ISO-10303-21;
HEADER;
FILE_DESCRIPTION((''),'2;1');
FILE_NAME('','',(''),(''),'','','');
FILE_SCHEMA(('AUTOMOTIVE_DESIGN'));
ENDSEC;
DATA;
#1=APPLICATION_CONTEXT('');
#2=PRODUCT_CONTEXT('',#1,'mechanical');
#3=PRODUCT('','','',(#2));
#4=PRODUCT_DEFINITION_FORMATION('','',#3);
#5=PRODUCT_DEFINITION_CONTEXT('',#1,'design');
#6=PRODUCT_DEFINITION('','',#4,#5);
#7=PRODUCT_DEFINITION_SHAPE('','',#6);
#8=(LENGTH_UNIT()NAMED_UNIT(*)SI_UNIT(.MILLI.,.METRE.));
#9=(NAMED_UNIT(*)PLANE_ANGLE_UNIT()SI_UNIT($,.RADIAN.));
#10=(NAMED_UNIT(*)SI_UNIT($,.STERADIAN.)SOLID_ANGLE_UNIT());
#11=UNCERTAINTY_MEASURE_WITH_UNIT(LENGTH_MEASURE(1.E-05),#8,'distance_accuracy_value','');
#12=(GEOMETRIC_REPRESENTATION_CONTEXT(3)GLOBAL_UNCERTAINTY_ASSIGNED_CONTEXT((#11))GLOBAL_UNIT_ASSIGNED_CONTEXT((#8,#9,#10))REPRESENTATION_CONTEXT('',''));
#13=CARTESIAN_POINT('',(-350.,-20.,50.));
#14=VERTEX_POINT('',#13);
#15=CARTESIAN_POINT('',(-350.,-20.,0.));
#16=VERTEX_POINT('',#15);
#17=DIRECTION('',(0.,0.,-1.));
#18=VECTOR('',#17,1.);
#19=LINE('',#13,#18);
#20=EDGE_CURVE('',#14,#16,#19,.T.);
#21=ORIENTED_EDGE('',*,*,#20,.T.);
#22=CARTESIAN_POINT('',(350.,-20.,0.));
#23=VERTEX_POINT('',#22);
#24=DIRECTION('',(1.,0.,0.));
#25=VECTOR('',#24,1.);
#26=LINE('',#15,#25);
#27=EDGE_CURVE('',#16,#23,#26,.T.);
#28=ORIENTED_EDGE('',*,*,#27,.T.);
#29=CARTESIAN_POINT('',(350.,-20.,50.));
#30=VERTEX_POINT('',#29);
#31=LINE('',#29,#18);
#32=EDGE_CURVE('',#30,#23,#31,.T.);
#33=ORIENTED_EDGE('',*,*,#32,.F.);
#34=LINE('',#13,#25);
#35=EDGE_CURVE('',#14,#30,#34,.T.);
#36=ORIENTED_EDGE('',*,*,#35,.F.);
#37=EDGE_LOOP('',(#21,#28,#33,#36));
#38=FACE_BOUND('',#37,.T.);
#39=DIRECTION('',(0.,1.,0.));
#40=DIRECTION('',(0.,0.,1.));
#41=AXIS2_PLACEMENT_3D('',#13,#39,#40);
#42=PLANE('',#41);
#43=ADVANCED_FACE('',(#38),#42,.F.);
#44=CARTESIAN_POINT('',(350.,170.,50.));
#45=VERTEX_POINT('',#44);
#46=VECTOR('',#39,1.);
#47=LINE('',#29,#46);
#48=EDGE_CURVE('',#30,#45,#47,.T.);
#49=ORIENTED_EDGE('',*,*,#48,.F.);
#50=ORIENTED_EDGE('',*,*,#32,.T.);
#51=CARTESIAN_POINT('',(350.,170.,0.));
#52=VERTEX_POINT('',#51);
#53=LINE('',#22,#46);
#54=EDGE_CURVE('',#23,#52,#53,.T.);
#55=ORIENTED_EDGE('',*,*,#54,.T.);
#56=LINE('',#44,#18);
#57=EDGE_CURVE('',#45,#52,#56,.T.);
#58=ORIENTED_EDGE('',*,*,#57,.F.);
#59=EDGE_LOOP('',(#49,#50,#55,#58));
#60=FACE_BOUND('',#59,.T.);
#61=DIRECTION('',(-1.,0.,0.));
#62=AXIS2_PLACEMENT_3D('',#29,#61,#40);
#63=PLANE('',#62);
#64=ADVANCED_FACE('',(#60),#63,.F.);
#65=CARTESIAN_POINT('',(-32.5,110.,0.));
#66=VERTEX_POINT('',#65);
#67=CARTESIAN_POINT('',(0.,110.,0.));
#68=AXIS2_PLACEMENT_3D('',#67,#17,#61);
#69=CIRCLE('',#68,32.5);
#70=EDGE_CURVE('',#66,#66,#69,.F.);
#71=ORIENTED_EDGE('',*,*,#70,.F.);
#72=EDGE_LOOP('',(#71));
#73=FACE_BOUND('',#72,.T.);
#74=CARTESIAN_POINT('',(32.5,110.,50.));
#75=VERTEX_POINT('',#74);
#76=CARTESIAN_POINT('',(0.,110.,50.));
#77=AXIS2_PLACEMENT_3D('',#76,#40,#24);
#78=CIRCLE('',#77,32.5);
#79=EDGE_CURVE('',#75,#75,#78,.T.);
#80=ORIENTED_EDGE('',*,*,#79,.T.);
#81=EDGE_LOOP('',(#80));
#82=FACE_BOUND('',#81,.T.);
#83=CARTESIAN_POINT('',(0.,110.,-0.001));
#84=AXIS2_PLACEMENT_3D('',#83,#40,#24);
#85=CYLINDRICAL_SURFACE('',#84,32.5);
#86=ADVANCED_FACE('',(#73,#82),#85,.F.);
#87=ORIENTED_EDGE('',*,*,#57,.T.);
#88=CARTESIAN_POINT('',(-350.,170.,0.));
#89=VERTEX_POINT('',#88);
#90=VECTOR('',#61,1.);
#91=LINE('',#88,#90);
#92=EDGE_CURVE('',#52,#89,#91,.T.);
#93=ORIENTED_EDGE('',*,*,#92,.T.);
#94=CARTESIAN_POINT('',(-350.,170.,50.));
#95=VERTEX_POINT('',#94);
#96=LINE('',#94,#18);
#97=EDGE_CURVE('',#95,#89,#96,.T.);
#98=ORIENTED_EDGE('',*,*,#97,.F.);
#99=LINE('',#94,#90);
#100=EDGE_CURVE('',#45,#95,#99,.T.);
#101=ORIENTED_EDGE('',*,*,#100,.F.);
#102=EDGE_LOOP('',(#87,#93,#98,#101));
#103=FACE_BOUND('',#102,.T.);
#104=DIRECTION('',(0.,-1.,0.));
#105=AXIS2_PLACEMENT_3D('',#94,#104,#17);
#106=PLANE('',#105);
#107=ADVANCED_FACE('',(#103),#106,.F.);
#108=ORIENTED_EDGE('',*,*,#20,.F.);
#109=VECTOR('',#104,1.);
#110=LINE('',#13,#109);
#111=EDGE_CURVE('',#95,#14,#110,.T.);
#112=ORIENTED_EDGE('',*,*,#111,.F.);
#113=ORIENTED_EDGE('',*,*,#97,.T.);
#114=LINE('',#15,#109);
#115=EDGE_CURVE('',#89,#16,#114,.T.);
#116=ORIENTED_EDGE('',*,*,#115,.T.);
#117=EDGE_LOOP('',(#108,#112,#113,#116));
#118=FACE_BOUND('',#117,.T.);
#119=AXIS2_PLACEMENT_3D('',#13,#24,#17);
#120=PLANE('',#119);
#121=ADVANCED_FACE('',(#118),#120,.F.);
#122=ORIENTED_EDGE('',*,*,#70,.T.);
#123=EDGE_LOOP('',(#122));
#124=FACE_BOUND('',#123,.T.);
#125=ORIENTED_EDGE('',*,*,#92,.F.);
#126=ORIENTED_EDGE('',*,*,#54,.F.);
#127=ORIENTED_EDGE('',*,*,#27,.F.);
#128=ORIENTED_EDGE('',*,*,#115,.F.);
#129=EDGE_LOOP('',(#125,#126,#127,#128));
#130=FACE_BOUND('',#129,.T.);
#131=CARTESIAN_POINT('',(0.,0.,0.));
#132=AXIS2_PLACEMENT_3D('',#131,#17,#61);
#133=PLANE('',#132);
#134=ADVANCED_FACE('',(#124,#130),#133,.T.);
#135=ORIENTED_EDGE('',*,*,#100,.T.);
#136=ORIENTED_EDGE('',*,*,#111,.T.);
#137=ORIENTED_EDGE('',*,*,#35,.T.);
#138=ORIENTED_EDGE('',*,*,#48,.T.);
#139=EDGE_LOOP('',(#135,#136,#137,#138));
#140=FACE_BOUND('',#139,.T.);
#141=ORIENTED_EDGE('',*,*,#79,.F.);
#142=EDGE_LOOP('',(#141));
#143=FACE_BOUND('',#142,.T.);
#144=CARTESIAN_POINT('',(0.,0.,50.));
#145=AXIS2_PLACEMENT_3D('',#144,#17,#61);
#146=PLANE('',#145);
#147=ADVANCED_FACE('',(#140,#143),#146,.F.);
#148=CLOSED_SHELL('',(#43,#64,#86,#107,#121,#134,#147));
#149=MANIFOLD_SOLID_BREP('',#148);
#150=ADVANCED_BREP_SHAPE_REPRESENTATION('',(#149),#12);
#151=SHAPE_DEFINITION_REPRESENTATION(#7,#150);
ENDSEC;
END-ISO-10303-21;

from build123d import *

# Parameters (mm, degrees)
SKETCH1_W           = 700
SKETCH1_H           = 190
BOSS_EXTRUDE1_DEPTH = 50
CUT_EXTRUDE1_REACH  = 394.301
SKETCH2_R           = 32.5


with BuildPart() as part:
    # Sketch1 → Boss-Extrude1 (new body)
    with BuildSketch(Plane.XY):
        with Locations((0, 75)):
            Rectangle(SKETCH1_W, SKETCH1_H)
    extrude(amount=BOSS_EXTRUDE1_DEPTH)

    # Sketch2 → Cut-Extrude1 (cut, up to next)
    with BuildSketch(Plane.XY.offset(50), mode=Mode.PRIVATE) as cut_extrude1_sk1:
        with Locations((0, 110)):
            Circle(SKETCH2_R)
    cut_extrude1_tool1 = extrude(cut_extrude1_sk1.sketch, amount=-CUT_EXTRUDE1_REACH, mode=Mode.PRIVATE) & part.part
    add(cut_extrude1_tool1.solids().sort_by_distance((0, 110, 50))[0], mode=Mode.SUBTRACT)


solid = part.part
